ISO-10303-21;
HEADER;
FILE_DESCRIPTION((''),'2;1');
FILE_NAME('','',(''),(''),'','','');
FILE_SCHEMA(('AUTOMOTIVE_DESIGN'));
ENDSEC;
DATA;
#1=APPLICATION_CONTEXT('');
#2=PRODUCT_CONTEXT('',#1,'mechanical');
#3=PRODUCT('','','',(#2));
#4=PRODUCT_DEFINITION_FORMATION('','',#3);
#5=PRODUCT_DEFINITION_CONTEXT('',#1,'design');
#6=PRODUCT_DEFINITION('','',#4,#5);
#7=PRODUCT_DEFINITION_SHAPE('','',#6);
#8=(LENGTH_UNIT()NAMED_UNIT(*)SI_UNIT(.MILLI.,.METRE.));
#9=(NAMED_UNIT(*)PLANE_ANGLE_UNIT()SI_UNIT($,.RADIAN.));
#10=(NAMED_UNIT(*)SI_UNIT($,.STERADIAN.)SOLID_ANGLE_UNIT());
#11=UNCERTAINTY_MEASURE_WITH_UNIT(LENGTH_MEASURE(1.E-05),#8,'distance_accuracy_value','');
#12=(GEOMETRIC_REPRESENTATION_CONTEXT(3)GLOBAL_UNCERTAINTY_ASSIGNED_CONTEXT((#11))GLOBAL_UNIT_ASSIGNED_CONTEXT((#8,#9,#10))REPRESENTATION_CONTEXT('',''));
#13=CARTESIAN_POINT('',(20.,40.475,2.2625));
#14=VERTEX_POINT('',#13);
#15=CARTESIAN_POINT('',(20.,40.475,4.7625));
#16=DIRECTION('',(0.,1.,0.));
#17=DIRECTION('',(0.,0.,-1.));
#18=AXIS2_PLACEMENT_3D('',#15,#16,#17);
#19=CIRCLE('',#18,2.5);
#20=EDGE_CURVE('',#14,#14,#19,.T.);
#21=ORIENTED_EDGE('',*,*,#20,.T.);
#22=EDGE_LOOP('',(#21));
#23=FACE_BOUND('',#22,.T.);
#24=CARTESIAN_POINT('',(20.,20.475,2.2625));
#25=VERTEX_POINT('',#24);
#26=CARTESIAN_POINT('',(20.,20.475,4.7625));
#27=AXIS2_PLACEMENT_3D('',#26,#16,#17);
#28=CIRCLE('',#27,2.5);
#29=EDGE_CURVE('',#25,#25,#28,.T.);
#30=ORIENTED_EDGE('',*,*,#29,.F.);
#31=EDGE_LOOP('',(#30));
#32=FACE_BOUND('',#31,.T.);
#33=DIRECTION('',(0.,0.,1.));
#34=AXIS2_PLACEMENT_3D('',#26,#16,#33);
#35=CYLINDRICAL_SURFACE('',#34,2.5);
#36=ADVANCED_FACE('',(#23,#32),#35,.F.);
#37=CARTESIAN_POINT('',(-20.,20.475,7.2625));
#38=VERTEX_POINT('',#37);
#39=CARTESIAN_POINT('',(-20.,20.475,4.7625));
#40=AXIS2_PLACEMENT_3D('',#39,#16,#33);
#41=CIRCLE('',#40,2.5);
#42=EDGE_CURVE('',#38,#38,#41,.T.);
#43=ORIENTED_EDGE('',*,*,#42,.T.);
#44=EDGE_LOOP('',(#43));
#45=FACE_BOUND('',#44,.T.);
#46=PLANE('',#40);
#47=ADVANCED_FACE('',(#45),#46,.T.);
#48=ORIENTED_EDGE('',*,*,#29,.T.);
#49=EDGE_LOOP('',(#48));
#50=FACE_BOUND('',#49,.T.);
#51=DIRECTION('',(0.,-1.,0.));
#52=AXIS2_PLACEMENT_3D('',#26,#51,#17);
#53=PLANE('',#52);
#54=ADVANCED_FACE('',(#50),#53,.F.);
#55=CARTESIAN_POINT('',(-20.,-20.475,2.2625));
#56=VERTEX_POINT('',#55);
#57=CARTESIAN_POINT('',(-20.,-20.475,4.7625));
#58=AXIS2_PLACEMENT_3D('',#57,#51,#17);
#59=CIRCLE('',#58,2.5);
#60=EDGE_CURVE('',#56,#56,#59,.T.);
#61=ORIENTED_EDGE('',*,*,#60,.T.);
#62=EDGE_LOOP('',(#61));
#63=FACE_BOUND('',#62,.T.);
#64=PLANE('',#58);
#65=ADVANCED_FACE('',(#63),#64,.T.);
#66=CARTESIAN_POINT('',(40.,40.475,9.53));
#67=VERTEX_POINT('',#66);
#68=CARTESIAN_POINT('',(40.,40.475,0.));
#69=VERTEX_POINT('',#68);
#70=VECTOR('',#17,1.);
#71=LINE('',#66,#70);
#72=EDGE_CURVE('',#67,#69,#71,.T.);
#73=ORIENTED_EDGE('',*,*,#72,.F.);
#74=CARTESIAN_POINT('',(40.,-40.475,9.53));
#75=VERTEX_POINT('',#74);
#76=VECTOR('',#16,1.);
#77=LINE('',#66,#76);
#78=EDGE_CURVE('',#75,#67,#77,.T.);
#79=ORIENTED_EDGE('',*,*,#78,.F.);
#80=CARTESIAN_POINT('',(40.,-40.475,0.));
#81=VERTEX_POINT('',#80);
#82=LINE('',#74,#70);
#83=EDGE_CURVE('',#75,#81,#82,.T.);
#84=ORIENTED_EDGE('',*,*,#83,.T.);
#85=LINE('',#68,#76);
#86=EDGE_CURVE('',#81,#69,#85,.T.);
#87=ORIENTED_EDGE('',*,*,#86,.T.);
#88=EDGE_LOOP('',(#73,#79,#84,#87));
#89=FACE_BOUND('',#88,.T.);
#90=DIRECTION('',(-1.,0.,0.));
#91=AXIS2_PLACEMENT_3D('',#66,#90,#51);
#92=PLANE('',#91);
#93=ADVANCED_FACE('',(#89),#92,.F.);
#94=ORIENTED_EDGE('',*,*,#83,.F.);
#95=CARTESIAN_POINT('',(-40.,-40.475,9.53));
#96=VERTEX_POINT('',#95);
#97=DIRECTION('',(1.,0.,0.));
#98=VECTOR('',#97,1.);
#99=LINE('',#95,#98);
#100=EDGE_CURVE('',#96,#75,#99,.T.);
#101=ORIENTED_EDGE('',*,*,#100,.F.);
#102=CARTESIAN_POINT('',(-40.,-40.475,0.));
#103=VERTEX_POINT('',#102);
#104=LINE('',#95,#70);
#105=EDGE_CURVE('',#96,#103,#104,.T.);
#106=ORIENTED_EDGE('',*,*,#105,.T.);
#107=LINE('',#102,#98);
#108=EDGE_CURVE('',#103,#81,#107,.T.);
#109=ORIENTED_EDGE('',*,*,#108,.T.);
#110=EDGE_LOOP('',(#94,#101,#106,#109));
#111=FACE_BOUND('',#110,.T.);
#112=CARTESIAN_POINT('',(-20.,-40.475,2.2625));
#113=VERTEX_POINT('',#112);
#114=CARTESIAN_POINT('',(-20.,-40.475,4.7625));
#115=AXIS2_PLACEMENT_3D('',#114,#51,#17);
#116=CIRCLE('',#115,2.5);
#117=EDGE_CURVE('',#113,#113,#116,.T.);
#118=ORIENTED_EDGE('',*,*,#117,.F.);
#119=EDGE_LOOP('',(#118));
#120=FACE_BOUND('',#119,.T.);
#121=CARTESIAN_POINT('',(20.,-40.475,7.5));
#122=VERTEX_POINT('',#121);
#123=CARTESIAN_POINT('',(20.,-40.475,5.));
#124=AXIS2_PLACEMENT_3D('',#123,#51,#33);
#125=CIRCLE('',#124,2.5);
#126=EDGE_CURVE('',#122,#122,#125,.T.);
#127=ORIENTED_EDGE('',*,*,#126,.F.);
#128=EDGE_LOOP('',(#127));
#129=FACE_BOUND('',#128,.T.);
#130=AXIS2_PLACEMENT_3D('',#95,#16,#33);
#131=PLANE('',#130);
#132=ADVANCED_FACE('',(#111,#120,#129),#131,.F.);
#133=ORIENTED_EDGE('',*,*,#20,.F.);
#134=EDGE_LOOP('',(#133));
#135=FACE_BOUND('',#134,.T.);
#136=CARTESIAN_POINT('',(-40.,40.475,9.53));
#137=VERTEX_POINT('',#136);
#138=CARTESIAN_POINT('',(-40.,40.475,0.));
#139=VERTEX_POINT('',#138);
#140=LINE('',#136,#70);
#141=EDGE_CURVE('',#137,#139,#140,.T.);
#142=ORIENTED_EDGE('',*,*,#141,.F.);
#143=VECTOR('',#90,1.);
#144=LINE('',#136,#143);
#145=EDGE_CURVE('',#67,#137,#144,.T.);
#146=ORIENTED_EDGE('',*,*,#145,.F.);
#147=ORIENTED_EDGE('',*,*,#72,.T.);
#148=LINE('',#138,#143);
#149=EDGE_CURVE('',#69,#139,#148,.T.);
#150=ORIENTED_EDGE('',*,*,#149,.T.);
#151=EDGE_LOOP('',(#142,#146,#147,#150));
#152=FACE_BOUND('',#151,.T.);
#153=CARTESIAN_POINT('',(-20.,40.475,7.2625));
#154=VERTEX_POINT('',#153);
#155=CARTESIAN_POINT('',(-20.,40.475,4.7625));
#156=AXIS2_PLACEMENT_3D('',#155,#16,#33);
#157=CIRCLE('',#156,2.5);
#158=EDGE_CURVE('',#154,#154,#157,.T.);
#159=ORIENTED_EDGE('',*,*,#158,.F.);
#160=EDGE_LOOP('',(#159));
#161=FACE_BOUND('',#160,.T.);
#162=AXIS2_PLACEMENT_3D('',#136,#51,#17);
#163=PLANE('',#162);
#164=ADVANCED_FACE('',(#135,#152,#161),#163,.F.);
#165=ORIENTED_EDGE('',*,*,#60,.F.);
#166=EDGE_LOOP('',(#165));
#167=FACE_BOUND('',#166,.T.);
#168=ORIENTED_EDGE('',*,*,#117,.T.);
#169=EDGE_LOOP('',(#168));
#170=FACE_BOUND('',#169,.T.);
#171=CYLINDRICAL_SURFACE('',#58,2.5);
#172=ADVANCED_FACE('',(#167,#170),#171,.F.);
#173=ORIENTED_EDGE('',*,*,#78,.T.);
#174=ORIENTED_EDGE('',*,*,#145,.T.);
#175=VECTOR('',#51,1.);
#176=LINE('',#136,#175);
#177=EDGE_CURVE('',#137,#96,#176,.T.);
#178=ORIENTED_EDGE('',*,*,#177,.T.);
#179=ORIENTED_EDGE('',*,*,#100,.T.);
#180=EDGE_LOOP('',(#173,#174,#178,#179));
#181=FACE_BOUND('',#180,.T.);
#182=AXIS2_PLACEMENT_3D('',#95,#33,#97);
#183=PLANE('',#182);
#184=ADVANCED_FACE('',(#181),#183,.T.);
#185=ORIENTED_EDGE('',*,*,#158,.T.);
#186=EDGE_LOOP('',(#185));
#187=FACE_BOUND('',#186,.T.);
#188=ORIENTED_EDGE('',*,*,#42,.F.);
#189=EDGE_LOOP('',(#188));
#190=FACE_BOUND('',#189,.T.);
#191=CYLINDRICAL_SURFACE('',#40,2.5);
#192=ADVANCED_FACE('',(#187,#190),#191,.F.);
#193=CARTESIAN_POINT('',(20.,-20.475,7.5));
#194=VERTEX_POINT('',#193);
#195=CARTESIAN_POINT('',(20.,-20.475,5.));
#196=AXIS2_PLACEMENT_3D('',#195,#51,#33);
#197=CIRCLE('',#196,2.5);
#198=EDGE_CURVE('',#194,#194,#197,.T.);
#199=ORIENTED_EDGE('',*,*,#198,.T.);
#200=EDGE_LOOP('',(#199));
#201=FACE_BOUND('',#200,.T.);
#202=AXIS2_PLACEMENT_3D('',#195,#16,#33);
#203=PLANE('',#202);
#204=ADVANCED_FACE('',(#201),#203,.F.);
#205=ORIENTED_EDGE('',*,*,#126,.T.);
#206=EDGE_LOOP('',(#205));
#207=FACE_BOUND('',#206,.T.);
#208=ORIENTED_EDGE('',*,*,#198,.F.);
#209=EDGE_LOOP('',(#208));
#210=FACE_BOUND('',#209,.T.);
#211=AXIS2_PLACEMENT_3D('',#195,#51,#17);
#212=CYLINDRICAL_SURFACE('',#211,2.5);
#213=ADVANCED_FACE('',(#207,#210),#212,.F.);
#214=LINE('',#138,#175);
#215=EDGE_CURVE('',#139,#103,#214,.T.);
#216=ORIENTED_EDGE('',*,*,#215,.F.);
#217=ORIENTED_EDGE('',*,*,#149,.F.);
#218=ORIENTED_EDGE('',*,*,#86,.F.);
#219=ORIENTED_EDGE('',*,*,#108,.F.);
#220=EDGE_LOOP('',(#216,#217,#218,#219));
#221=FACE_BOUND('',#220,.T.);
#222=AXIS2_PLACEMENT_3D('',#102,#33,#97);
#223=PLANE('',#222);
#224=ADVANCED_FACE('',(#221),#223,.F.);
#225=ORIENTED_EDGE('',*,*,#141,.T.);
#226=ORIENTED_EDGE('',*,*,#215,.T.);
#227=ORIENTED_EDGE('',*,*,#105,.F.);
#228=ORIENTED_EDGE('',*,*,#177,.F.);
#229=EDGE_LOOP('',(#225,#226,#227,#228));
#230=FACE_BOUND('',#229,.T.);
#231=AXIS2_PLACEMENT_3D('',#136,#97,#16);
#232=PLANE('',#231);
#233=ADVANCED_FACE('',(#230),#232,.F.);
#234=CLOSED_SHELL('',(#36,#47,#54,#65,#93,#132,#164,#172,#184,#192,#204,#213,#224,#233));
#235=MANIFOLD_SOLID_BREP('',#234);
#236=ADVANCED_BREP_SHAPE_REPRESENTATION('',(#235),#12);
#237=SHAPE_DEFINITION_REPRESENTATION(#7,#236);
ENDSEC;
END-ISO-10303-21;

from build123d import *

# Parameters (mm, degrees)
ESBO_O1_W                = 80
ESBO_O1_H                = 80.95
RESSALTO_EXTRUS_O1_DEPTH = 9.53
ESBO_O2_R                = 2.5
CORTE_EXTRUS_O1_DEPTH    = 20
CORTE_EXTRUS_O2_START    = -20
ESBO_O3_R                = 2.5
CORTE_EXTRUS_O2_DEPTH    = 20


with BuildPart() as part:
    # Esboço1 → Ressalto-extrusão1 (new body)
    with BuildSketch(Plane.XY):
        Rectangle(ESBO_O1_W, ESBO_O1_H)
    extrude(amount=RESSALTO_EXTRUS_O1_DEPTH)

    # Esboço2 → Corte-extrusão1 (cut)
    with BuildSketch(Plane(origin=(0, 40.475, 0), x_dir=(1, 0, 0), z_dir=(0, 1, 0))):
        with Locations(Location((-20, -4.7625, 0), (0, 0, 270))):
            Circle(ESBO_O2_R)
        with Locations(Location((20, -4.7625, 0), (0, 0, 90))):
            Circle(ESBO_O2_R)
    extrude(amount=-CORTE_EXTRUS_O1_DEPTH, mode=Mode.SUBTRACT)

    # Esboço3 → Corte-extrusão2 (cut)
    with BuildSketch(Plane.XZ.offset(40.475).offset(CORTE_EXTRUS_O2_START)):
        with Locations(Location((-20, 4.7625, 0), (0, 0, 90))):
            Circle(ESBO_O3_R)
        with Locations(Location((20, 5, 0), (0, 0, 90))):
            Circle(ESBO_O3_R)
    extrude(amount=CORTE_EXTRUS_O2_DEPTH, mode=Mode.SUBTRACT)


solid = part.part
